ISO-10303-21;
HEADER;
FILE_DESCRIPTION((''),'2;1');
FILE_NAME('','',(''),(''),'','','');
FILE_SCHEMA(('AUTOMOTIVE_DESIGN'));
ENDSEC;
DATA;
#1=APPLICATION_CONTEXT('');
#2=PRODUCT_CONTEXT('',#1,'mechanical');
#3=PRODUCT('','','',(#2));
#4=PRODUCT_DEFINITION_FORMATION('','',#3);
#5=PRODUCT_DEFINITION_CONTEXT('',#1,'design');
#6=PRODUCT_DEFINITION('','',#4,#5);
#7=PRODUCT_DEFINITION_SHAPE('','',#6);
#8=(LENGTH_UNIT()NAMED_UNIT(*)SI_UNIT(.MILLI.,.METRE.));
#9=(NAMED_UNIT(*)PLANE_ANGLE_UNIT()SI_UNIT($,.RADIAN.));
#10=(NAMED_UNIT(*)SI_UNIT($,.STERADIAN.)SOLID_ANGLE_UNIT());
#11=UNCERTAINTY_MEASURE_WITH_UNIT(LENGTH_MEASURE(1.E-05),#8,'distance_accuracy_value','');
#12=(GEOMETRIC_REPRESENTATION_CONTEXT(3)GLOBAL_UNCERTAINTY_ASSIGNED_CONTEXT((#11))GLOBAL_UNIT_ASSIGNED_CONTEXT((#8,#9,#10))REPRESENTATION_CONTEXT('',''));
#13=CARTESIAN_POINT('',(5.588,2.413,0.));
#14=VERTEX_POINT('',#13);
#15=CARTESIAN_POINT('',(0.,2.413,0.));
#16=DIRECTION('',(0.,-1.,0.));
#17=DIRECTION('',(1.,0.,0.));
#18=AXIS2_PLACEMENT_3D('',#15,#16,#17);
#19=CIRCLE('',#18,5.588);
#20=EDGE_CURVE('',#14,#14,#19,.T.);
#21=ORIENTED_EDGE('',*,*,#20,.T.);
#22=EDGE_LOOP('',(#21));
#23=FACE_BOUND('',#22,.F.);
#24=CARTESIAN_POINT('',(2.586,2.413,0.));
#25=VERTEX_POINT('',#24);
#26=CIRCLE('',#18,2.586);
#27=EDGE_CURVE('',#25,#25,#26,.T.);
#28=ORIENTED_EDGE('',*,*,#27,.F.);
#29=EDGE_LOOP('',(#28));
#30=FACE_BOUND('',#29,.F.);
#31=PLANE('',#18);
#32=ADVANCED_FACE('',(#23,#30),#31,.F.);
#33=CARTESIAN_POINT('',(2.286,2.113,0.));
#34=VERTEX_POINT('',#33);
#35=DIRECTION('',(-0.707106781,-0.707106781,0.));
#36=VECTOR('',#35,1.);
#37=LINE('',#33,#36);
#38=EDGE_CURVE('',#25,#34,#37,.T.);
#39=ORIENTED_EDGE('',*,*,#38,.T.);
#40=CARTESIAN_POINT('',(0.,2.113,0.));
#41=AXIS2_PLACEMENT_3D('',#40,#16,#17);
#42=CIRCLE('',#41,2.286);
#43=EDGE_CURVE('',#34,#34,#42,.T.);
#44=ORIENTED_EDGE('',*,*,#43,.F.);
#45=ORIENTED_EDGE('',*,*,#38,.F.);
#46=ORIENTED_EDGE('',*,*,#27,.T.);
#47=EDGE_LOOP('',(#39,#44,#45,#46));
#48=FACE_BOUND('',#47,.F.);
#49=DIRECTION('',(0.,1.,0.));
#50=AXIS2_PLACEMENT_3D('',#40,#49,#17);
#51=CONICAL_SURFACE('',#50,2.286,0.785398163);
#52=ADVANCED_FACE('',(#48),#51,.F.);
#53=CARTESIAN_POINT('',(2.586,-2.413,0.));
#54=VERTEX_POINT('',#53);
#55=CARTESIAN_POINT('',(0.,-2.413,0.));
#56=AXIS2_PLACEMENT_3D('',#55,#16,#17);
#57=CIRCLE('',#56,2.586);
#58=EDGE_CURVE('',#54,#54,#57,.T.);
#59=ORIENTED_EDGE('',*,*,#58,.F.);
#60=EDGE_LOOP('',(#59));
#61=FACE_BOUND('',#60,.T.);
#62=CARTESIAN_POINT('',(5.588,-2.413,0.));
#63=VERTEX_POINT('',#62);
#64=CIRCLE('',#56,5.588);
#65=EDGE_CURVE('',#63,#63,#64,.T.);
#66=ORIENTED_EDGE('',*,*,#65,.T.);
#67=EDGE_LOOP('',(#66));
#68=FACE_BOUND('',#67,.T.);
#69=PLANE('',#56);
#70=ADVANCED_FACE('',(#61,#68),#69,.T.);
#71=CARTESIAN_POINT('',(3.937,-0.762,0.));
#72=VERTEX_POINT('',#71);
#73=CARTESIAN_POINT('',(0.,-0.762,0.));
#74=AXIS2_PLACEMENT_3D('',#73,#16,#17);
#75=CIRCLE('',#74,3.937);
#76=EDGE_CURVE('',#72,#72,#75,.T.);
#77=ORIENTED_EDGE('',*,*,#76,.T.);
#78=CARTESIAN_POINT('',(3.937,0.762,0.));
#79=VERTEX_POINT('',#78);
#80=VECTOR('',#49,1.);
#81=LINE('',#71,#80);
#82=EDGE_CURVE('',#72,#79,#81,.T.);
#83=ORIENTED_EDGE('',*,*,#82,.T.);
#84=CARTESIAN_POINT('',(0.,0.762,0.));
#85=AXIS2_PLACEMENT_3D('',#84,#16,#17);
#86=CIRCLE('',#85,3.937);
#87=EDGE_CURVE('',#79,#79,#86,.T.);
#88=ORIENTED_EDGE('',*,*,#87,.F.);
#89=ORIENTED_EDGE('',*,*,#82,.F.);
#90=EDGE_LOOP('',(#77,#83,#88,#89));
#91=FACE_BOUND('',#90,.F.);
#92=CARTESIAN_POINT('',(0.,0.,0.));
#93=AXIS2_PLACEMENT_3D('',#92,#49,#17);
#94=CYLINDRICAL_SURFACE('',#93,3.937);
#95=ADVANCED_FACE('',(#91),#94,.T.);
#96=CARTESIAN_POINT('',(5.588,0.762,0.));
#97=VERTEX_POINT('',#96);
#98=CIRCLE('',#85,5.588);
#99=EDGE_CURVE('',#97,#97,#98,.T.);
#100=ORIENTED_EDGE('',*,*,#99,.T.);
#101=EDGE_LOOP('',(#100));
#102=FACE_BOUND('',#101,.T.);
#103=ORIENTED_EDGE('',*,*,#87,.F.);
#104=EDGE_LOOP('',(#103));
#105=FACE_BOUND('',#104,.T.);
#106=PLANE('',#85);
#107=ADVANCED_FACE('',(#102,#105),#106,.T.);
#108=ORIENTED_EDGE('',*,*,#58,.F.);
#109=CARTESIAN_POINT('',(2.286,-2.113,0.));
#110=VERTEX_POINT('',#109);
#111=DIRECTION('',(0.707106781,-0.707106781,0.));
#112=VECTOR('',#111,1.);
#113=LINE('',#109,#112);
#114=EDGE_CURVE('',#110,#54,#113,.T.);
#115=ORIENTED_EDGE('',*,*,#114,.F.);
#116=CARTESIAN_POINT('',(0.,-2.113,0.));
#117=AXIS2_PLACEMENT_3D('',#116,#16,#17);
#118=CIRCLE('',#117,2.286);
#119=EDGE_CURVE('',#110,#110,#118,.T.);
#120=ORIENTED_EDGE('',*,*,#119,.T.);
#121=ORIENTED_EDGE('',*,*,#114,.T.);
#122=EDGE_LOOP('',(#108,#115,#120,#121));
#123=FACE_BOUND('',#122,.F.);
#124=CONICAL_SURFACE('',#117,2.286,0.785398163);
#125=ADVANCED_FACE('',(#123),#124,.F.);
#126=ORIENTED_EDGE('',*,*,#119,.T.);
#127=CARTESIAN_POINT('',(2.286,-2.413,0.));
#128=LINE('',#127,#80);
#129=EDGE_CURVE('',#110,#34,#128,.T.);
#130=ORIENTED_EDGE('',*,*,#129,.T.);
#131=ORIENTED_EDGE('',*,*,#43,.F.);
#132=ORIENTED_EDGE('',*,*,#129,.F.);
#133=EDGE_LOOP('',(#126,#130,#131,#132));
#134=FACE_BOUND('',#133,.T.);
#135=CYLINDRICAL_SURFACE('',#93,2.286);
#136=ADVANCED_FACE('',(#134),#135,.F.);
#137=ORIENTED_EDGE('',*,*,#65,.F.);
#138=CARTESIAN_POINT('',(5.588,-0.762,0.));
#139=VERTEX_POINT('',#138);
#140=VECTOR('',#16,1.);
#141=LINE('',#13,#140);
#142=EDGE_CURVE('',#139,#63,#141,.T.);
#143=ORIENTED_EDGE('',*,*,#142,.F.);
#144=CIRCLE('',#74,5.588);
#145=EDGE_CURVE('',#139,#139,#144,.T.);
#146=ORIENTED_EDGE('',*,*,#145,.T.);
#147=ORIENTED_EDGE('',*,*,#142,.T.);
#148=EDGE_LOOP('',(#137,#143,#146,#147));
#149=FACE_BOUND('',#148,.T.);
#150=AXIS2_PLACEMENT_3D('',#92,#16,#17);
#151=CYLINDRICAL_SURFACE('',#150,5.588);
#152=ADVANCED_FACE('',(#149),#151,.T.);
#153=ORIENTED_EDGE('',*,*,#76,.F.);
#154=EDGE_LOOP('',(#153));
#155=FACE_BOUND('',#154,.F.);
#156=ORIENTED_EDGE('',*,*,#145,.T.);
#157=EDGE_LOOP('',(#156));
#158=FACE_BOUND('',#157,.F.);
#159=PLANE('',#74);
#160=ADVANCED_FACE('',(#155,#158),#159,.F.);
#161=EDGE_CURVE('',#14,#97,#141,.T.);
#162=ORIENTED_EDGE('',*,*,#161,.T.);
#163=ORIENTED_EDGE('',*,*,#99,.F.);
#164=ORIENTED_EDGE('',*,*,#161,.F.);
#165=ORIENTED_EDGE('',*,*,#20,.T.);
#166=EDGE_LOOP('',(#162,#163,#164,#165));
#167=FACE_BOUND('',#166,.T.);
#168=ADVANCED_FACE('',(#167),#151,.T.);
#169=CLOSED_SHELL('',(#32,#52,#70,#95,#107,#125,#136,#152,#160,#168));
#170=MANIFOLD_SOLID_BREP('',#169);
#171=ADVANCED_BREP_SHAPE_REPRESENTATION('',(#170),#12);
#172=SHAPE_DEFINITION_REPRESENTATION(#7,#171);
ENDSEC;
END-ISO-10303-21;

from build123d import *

# Parameters (mm, degrees)
F0_R     = 5.588
F0_R_2   = 3.937
F0_R_3   = 2.286
F1_DEPTH = 2.413
F2_DEPTH = 0.762
F3_SIZE  = 0.3


with BuildPart() as f1:
    # F0 (on Front) → F1 (new body, symmetric)
    with BuildSketch(Plane.XZ):
        Circle(F0_R)
        Circle(F0_R_2, mode=Mode.SUBTRACT)
        Circle(F0_R_2)
        Circle(F0_R_3, mode=Mode.SUBTRACT)
    extrude(amount=F1_DEPTH, both=True)

    # F0 (on Front) → F2 (cut, symmetric)
    with BuildSketch(Plane.XZ):
        Circle(F0_R)
        Circle(F0_R_2, mode=Mode.SUBTRACT)
    extrude(amount=F2_DEPTH, both=True, mode=Mode.SUBTRACT)

    # F3
    f3_edges = [f1.edges().sort_by_distance(p)[0] for p in [
        (-2.286, -2.413, 0),
        (-2.286, 2.413, 0),
    ]]
    chamfer(f3_edges, length=F3_SIZE)


solid = f1.part
